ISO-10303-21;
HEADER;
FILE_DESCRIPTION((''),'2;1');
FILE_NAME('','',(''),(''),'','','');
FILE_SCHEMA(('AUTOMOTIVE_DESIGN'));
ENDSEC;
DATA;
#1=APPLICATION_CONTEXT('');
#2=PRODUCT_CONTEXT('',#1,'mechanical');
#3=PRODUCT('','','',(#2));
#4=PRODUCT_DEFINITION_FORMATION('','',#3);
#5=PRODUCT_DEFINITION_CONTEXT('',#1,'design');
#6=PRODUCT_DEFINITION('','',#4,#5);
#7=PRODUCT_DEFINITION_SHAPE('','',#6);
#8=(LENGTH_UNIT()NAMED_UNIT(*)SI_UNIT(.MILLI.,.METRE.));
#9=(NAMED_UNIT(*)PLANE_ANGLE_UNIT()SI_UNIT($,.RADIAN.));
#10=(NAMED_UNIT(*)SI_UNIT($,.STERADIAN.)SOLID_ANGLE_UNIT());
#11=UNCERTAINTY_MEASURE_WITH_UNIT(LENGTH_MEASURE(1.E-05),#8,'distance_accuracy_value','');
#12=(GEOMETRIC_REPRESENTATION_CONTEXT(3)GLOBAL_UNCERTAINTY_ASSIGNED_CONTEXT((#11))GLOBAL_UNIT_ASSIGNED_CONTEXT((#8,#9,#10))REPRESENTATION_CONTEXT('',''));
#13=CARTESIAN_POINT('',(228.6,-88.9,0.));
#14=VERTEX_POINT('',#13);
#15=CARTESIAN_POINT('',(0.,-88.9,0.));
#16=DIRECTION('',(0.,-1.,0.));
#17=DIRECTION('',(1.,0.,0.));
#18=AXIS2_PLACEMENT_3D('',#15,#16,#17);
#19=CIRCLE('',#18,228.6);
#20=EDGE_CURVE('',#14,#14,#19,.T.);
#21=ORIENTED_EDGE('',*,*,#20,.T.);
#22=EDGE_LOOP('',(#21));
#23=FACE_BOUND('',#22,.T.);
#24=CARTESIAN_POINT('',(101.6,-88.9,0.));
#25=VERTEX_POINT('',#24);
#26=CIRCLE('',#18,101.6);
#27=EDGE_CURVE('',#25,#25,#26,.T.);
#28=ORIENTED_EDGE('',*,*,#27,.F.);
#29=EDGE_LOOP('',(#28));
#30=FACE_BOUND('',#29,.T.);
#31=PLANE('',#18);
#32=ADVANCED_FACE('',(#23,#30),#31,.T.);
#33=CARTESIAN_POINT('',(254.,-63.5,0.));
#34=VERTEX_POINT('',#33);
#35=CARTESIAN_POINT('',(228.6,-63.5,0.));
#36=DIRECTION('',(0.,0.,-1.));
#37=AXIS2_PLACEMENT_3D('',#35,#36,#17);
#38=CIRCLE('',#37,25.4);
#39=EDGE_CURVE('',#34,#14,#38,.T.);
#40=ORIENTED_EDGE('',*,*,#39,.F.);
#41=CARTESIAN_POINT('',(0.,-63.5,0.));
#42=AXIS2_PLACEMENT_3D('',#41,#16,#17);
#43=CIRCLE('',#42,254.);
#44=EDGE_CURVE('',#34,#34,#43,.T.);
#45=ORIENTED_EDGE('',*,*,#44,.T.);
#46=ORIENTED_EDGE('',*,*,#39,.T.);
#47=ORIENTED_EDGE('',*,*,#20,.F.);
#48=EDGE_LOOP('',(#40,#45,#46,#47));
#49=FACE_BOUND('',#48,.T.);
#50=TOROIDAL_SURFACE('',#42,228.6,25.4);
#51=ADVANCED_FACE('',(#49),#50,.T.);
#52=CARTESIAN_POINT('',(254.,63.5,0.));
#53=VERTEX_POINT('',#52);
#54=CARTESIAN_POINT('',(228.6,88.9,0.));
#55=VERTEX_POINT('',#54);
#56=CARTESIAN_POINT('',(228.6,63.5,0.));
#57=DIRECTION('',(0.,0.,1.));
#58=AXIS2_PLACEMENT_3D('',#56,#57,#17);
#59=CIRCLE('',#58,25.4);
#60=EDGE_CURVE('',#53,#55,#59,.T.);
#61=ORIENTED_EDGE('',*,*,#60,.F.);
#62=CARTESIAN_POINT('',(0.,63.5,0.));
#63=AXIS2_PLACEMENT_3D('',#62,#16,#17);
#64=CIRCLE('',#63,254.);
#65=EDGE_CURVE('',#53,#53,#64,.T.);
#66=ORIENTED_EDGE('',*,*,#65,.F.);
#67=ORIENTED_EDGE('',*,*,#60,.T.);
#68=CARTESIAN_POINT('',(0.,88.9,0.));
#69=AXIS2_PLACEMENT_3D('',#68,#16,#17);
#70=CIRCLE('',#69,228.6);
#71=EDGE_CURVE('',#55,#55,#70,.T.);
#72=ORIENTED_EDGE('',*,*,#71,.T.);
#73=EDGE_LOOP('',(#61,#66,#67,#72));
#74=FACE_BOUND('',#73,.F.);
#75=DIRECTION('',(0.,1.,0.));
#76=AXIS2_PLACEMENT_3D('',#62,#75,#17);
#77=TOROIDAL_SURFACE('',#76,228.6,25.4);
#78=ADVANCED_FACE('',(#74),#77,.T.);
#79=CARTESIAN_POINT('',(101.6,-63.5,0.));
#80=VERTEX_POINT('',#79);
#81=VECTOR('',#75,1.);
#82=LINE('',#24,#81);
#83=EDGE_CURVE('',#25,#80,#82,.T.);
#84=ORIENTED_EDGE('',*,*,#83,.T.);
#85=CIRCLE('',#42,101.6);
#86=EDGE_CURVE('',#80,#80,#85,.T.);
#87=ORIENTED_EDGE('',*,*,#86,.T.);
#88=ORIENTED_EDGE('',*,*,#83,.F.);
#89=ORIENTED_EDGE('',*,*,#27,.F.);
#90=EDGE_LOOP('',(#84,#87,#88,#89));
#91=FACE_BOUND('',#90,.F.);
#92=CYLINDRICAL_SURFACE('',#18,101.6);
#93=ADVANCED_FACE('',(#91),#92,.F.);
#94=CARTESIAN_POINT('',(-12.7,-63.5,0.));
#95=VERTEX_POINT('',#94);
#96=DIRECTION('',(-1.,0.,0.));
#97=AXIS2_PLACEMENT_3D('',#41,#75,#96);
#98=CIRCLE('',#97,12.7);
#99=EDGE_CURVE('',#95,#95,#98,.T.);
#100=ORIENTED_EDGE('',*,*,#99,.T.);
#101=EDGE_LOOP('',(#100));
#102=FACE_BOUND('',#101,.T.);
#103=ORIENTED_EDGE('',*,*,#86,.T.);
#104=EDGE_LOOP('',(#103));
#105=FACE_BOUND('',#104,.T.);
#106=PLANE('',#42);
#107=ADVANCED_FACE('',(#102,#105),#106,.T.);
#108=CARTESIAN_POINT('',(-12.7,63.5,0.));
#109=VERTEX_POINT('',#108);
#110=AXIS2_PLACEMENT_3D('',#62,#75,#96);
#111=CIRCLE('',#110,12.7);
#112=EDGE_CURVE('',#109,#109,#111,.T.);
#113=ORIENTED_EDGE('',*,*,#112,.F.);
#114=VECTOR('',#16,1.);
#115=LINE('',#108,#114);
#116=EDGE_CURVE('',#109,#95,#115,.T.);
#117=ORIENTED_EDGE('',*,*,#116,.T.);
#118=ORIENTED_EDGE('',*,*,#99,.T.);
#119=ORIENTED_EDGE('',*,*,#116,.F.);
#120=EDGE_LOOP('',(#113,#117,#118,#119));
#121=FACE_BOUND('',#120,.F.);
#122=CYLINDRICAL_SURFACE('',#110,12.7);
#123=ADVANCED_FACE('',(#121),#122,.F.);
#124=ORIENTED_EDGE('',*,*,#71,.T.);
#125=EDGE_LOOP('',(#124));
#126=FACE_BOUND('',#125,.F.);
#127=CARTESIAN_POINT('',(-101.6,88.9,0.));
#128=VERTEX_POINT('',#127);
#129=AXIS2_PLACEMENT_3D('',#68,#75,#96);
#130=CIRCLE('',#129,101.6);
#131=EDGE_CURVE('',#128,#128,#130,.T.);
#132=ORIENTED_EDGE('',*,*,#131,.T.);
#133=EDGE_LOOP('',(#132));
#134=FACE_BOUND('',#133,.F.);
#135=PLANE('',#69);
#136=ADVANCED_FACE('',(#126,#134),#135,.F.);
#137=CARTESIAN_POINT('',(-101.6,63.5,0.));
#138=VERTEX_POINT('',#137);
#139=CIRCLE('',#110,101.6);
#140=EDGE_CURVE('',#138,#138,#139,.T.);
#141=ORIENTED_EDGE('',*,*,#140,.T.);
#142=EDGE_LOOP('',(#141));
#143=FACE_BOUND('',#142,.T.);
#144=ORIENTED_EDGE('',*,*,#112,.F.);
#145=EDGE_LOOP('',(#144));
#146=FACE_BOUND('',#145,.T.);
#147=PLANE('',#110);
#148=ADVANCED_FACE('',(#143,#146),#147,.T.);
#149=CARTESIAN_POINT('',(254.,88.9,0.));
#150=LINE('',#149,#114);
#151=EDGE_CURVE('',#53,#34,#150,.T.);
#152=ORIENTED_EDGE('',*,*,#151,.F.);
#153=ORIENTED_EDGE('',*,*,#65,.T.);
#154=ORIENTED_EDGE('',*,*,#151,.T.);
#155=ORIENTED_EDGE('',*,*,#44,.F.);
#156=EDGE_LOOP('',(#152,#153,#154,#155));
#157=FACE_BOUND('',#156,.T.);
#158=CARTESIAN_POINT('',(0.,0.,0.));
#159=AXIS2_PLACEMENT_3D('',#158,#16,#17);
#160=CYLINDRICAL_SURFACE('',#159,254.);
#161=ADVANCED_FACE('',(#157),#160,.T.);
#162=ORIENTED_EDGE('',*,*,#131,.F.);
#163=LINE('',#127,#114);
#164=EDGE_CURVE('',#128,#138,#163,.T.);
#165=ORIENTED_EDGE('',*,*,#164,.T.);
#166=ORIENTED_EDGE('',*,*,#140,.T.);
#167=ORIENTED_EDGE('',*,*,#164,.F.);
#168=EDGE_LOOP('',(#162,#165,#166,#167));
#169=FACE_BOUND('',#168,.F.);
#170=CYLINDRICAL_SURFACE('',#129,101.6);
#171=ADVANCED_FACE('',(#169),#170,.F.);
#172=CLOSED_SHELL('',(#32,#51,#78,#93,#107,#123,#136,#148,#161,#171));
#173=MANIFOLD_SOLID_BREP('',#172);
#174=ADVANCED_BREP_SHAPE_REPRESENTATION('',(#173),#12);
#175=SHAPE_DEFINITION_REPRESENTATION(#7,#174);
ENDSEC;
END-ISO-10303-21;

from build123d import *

# Parameters (mm, degrees)
F0_R     = 254
F1_DEPTH = 88.9
F2_R     = 101.6
F3_DEPTH = 25.4
F4_R     = 101.6
F5_DEPTH = 25.4
F6_R     = 12.7
F7_DEPTH = 127
F8_R     = 12.7
F9_DEPTH = 177.8
F10_R    = 25.4


with BuildPart() as f1:
    # F0 (on Front) → F1 (new body, symmetric)
    with BuildSketch(Plane.XZ):
        Circle(F0_R)
    extrude(amount=F1_DEPTH, both=True)

    # F2 (on face) → F3 (cut)
    with BuildSketch(Plane(origin=(0, 88.9, 0), x_dir=(-1, 0, 0), z_dir=(0, 1, 0))):
        Circle(F2_R)
    extrude(amount=-F3_DEPTH, mode=Mode.SUBTRACT)

    # F4 (on face) → F5 (cut)
    with BuildSketch(Plane.XZ.offset(88.9)):
        Circle(F4_R)
    extrude(amount=-F5_DEPTH, mode=Mode.SUBTRACT)

    # F6 (on face) → F7 (cut)
    with BuildSketch(Plane(origin=(0, 63.5, 0), x_dir=(-1, 0, 0), z_dir=(0, 1, 0))):
        Circle(F6_R)
    extrude(amount=-F7_DEPTH, mode=Mode.SUBTRACT)

    # F8 (on face) → F9 (cut, symmetric)
    with BuildSketch(Plane(origin=(0, 88.9, 0), x_dir=(-1, 0, 0), z_dir=(0, 1, 0))):
        Circle(F8_R)
    extrude(amount=F9_DEPTH, both=True, mode=Mode.SUBTRACT)

    # F10
    f10_edges = [f1.edges().sort_by_distance(p)[0] for p in [
        (-254, -88.9, 0),
        (-254, 88.9, 0),
    ]]
    fillet(f10_edges, radius=F10_R)


solid = f1.part
